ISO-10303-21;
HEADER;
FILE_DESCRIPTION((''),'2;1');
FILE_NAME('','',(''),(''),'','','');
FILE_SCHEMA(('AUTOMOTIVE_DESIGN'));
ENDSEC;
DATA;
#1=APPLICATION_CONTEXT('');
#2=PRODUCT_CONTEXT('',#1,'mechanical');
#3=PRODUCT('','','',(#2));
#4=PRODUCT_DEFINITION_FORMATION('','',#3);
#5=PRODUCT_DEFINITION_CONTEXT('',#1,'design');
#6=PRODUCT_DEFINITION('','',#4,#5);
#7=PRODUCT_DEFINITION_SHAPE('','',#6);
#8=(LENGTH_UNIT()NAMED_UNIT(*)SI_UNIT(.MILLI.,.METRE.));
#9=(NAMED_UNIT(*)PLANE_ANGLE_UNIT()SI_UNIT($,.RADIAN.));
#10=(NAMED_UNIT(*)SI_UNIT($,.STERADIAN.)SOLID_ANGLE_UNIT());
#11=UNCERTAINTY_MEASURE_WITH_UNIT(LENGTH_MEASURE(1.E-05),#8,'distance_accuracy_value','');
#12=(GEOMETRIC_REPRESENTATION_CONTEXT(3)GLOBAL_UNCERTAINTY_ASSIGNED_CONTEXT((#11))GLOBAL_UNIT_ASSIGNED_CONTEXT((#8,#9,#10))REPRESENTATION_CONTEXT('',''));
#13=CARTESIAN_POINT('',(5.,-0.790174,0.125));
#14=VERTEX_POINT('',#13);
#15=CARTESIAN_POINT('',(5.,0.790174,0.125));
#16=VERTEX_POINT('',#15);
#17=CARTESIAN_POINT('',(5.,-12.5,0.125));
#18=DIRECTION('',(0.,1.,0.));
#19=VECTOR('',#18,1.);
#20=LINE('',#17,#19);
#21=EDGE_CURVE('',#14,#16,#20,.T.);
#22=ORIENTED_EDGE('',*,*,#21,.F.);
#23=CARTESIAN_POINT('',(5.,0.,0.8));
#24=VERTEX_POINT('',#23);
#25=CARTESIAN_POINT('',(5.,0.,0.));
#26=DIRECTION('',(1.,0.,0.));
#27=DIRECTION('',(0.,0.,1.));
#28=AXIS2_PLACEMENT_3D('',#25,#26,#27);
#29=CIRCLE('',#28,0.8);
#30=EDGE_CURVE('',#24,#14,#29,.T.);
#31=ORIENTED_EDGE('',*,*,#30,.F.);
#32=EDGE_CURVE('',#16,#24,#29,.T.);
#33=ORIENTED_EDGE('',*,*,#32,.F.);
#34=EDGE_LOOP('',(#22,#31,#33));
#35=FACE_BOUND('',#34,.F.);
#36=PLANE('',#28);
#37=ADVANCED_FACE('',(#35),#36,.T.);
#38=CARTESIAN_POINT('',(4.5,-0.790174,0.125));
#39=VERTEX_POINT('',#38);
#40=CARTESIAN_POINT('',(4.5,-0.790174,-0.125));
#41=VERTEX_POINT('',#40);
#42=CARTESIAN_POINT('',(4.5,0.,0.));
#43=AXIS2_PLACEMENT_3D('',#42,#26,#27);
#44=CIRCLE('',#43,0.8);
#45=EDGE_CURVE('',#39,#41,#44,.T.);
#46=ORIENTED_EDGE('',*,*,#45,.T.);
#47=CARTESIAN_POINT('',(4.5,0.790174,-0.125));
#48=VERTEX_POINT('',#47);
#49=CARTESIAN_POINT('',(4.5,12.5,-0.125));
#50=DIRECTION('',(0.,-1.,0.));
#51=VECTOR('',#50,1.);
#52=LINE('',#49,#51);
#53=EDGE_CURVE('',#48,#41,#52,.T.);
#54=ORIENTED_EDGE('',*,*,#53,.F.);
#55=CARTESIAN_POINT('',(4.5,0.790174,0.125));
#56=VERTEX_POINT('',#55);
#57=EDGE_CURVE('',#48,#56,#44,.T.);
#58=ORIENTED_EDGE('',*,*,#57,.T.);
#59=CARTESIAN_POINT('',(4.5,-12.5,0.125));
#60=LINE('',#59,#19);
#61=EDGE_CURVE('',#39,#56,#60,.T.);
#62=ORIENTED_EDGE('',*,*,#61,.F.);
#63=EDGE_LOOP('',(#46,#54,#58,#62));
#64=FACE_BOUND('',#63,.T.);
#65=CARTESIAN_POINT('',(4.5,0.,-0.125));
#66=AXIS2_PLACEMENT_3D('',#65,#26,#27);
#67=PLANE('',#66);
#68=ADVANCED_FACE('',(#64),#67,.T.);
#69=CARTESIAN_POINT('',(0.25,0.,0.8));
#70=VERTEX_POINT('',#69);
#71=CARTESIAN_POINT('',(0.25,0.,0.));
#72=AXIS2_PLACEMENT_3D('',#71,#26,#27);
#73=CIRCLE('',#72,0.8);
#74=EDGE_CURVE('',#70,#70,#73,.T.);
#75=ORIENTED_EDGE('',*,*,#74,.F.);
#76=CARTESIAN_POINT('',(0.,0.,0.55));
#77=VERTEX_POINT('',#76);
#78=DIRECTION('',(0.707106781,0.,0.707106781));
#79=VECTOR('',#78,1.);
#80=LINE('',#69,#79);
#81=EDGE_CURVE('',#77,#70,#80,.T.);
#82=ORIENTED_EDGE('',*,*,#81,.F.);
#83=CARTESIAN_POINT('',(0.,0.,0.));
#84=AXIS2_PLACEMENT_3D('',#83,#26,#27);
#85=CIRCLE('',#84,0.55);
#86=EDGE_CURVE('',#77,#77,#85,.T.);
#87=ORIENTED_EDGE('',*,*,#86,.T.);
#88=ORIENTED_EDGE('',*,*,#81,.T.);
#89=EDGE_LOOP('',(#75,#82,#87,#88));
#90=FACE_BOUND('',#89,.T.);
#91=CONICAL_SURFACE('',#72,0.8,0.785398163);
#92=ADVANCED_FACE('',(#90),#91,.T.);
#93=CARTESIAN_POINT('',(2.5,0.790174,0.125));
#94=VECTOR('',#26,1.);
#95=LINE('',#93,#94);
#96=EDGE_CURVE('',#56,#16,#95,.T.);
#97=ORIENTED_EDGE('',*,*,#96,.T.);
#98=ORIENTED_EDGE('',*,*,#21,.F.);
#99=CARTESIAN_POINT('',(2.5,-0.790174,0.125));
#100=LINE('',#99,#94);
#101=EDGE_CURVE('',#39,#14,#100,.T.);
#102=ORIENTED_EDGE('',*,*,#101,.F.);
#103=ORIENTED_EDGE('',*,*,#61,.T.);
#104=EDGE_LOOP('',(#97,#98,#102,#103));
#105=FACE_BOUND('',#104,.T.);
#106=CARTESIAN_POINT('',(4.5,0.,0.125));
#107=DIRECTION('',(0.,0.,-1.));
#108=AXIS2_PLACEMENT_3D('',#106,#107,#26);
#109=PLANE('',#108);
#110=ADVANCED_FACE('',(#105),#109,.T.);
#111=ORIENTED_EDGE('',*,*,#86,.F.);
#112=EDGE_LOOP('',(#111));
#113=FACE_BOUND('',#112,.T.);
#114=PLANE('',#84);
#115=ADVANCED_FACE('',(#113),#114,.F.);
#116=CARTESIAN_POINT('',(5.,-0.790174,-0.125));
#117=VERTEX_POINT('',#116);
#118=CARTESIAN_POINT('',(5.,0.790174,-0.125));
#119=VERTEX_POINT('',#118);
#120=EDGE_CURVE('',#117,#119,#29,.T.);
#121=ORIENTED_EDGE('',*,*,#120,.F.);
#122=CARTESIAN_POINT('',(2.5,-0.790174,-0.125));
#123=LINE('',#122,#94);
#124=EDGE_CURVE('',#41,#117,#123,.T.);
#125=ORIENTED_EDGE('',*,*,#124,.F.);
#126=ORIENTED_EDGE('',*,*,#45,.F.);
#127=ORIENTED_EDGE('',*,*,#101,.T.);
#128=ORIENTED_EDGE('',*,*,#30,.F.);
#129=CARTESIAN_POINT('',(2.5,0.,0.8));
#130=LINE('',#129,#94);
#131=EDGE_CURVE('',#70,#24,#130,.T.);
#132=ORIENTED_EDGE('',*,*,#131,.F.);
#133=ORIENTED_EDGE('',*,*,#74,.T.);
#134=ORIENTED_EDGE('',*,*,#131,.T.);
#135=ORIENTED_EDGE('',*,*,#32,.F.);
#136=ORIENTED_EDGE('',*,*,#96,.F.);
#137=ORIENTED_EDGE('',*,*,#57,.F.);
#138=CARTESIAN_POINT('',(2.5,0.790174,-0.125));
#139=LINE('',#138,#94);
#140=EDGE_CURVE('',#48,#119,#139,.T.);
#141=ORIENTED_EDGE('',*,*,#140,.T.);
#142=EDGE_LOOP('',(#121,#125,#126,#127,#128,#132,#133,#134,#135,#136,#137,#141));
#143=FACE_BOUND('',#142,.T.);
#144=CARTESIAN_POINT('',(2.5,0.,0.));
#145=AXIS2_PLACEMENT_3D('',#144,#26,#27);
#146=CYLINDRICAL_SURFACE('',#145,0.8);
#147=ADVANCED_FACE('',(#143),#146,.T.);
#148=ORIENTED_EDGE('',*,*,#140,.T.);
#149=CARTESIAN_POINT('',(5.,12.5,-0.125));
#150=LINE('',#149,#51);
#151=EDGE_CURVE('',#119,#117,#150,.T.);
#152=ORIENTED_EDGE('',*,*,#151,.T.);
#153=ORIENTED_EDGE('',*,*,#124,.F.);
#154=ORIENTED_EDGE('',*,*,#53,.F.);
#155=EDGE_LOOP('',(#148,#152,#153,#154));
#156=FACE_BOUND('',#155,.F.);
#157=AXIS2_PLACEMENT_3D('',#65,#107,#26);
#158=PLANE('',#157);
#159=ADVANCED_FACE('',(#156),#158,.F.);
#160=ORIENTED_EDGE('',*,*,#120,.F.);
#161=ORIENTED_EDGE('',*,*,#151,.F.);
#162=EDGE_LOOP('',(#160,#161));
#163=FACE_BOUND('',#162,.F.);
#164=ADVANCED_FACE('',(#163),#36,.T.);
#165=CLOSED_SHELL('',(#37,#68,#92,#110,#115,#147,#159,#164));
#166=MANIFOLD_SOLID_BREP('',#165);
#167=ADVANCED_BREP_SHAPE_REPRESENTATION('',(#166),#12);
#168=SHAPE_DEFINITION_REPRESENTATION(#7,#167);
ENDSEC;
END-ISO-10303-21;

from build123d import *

# Parameters (mm, degrees)
F0_W     = 5
F0_H     = 0.8
F2_W     = 0.5
F2_H     = 0.25
F3_DEPTH = 12.5
F4_SIZE  = 0.25


with BuildPart() as f1:
    # F0 (on Front) → F1 (revolve)
    with BuildSketch(Plane.XZ):
        with Locations((2.5, 0.4)):
            Rectangle(F0_W, F0_H)
    revolve(axis=Axis((2.5, 0, 0), (1, 0, 0)))

    # F2 (on Front) → F3 (cut, symmetric)
    with BuildSketch(Plane.XZ):
        with Locations((4.75, 0)):
            Rectangle(F2_W, F2_H)
    extrude(amount=F3_DEPTH, both=True, mode=Mode.SUBTRACT)

    # F4
    f4_edges = [f1.edges().sort_by_distance(p)[0] for p in [
        (0, 0, -0.8),
    ]]
    chamfer(f4_edges, length=F4_SIZE)


solid = f1.part
